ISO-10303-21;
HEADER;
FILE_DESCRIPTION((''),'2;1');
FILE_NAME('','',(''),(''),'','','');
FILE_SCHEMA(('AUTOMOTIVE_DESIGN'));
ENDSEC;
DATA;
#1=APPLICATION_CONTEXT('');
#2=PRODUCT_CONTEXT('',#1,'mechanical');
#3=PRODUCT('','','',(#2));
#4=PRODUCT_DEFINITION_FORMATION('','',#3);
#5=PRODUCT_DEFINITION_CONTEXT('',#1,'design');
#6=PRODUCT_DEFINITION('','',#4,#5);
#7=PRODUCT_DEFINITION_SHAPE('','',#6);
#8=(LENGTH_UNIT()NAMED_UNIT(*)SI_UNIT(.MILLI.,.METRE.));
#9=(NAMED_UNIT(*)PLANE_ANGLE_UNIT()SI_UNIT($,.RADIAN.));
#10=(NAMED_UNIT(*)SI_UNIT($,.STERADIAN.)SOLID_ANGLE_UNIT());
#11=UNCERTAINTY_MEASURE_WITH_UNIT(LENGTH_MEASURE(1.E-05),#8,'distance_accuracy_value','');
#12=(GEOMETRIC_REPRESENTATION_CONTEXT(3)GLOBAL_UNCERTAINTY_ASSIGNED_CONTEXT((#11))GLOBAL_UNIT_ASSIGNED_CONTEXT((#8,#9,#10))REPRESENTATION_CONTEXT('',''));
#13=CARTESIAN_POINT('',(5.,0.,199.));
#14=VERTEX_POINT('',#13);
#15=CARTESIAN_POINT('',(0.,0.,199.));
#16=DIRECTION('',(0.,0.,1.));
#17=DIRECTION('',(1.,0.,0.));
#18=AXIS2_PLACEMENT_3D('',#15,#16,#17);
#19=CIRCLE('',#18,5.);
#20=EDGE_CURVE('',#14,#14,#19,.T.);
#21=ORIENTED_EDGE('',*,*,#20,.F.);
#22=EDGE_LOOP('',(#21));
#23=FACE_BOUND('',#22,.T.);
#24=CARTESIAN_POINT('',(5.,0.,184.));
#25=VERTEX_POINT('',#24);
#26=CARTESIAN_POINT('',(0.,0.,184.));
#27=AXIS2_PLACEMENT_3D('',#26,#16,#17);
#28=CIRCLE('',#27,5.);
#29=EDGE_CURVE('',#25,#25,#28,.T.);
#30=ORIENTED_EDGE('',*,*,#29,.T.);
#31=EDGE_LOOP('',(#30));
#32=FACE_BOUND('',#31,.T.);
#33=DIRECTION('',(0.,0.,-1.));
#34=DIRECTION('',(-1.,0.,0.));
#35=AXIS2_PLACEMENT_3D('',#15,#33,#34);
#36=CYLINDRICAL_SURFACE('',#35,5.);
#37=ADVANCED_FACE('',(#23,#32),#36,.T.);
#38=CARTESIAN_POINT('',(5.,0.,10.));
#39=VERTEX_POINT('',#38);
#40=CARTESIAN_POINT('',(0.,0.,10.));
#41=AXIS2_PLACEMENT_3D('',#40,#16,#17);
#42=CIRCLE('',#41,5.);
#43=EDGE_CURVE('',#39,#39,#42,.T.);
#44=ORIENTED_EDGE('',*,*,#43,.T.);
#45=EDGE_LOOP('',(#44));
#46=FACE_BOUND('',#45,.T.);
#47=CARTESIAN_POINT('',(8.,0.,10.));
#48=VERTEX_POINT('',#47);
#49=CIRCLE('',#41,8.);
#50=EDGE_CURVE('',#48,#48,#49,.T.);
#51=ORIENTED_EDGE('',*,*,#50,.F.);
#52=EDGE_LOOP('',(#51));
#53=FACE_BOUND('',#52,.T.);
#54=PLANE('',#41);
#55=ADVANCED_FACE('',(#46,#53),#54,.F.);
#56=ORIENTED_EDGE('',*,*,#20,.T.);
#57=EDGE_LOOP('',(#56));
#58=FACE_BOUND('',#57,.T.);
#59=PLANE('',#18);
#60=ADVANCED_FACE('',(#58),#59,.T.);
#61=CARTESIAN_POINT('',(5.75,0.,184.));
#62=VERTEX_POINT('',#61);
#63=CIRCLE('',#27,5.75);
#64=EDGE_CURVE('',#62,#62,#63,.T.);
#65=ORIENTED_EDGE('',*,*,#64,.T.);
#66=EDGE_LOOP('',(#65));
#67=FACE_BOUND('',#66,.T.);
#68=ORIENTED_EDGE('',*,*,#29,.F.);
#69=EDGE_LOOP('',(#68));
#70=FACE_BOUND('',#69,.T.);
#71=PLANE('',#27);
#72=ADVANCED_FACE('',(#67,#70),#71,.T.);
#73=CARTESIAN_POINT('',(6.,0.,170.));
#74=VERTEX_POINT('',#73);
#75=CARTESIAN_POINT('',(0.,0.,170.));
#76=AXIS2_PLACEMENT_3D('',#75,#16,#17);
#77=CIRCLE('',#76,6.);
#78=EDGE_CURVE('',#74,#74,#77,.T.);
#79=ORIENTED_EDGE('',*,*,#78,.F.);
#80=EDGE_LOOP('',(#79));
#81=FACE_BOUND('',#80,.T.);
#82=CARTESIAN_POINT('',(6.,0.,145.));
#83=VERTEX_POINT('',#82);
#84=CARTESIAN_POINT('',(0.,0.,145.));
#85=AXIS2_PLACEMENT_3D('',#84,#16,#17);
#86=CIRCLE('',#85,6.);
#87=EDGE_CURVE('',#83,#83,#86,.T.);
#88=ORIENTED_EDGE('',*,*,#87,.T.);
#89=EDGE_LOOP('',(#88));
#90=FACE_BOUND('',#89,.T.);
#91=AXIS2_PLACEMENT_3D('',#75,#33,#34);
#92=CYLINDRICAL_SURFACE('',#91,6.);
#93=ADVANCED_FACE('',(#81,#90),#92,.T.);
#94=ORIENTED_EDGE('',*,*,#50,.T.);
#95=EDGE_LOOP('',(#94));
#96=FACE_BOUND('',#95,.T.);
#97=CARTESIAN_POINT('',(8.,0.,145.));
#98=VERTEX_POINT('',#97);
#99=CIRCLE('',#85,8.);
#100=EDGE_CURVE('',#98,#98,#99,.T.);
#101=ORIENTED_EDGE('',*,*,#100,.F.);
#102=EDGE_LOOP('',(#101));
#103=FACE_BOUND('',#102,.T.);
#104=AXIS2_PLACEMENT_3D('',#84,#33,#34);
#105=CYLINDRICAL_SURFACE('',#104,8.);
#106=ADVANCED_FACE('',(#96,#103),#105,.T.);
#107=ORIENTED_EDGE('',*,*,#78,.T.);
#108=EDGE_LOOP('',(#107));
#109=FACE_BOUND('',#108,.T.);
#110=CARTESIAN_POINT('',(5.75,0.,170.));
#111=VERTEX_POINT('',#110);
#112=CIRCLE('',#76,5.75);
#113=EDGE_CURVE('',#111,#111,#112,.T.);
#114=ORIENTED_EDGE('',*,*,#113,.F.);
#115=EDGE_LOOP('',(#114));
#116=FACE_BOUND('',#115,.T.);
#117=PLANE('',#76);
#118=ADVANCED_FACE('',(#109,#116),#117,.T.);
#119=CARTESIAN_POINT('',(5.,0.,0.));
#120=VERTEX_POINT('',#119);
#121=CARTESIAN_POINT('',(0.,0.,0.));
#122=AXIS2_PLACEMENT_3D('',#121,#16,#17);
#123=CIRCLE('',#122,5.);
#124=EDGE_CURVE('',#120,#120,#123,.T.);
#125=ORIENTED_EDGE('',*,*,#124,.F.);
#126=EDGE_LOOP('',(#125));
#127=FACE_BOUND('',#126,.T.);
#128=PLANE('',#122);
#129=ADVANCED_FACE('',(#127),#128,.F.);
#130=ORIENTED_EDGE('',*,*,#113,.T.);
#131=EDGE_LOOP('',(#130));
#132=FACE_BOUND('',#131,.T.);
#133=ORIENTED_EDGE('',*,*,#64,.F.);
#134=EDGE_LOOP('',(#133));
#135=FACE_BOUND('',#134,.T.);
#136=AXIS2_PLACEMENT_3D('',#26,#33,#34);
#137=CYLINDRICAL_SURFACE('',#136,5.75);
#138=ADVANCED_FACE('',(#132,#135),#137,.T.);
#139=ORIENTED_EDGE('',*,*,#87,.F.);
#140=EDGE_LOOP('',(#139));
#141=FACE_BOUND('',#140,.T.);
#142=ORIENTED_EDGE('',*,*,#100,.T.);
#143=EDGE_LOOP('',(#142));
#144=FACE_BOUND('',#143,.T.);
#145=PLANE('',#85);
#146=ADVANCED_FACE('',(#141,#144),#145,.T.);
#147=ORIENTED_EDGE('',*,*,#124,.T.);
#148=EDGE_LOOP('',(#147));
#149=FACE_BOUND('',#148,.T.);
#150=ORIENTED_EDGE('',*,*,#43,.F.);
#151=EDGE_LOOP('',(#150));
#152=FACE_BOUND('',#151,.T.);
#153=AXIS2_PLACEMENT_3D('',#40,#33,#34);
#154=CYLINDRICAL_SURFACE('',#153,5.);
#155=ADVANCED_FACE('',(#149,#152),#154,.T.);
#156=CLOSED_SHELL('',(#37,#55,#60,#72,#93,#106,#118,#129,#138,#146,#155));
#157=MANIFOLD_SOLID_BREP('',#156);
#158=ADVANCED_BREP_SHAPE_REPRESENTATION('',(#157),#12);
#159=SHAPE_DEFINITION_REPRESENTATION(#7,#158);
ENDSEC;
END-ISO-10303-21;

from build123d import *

# Parameters (mm, degrees)
SKETCH_1_R      = 5
EXTRUDE_1_DEPTH = 10
SKETCH_2_R      = 8
EXTRUDE_2_DEPTH = 135
SKETCH_3_R      = 6
EXTRUDE_3_DEPTH = 25
SKETCH_4_R      = 5.75
EXTRUDE_4_DEPTH = 14
SKETCH_5_R      = 5
EXTRUDE_5_DEPTH = 15


with BuildPart() as part:
    # 스케치1 → 보스-돌출1 (new body)
    with BuildSketch(Plane.XY):
        Circle(SKETCH_1_R)
    extrude(amount=EXTRUDE_1_DEPTH)

    # 스케치2 → 보스-돌출2 (add)
    with BuildSketch(Plane.XY.offset(10)):
        Circle(SKETCH_2_R)
    extrude(amount=EXTRUDE_2_DEPTH)

    # 스케치3 → 보스-돌출3 (add)
    with BuildSketch(Plane.XY.offset(145)):
        Circle(SKETCH_3_R)
    extrude(amount=EXTRUDE_3_DEPTH)

    # 스케치4 → 보스-돌출4 (add)
    with BuildSketch(Plane.XY.offset(170)):
        Circle(SKETCH_4_R)
    extrude(amount=EXTRUDE_4_DEPTH)

    # 스케치5 → 보스-돌출5 (add)
    with BuildSketch(Plane.XY.offset(184)):
        Circle(SKETCH_5_R)
    extrude(amount=EXTRUDE_5_DEPTH)


solid = part.part
